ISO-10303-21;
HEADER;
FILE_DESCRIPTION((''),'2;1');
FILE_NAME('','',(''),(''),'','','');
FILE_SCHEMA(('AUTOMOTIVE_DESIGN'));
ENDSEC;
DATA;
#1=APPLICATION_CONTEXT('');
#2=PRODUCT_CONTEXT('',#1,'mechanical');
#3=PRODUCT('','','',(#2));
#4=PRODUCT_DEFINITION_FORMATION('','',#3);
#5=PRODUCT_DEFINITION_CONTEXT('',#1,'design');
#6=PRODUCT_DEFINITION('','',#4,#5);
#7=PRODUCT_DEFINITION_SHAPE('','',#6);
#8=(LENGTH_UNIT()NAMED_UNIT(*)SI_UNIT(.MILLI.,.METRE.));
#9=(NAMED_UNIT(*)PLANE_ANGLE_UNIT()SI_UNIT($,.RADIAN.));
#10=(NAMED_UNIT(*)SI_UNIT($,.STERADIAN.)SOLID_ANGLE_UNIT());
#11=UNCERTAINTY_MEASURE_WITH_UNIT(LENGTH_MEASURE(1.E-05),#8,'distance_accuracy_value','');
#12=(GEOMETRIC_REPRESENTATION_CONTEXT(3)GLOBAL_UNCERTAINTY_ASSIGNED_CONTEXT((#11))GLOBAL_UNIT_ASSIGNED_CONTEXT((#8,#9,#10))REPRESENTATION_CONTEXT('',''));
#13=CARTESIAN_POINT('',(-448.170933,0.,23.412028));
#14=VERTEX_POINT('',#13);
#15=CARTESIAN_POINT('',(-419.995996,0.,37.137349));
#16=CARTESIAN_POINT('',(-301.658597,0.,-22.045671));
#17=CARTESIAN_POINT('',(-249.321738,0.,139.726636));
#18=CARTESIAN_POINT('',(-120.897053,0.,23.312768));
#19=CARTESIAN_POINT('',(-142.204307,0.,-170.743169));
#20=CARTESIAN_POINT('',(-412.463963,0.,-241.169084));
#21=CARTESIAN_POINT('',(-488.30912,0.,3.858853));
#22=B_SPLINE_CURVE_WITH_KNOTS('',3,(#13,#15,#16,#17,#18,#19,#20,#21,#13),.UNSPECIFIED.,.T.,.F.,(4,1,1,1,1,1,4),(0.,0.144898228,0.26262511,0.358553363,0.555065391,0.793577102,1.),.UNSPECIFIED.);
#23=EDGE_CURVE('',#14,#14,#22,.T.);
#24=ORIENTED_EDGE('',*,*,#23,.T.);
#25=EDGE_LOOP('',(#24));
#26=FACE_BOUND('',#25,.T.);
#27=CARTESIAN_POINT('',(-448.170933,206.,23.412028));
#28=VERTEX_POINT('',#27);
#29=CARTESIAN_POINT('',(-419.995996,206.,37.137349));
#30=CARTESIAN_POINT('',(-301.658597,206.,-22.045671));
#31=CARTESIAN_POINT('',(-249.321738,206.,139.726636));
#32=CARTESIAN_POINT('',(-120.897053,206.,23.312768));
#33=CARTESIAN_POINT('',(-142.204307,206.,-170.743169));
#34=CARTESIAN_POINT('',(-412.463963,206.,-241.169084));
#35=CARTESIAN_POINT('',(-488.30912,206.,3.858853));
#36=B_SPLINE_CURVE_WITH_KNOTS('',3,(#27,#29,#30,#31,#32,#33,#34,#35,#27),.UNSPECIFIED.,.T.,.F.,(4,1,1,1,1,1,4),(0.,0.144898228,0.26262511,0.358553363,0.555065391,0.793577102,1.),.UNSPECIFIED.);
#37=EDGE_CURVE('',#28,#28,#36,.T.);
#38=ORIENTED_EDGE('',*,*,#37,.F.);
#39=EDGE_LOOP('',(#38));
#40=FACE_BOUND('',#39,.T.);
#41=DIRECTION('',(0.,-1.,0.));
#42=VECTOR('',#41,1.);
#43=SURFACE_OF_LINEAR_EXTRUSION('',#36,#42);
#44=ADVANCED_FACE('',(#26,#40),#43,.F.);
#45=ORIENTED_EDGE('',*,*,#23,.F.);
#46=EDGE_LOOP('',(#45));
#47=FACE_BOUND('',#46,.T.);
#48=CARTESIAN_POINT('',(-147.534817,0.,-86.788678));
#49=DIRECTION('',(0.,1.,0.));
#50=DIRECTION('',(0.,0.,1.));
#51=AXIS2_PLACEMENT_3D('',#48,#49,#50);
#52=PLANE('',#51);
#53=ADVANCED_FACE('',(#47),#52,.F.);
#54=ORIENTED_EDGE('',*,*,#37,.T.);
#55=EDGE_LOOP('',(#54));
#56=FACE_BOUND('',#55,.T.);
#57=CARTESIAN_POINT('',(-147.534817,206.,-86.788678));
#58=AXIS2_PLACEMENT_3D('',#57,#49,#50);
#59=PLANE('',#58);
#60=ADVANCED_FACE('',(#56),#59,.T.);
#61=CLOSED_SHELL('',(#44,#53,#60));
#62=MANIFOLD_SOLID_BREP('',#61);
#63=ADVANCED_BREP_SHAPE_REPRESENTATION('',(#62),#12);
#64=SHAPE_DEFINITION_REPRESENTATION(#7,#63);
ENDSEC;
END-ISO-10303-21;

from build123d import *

# Parameters (mm, degrees)
EXTRUDE_1_DEPTH = 206


with BuildPart() as part:
    # 草图5 → 凸台-拉伸1 (new body)
    with BuildSketch(Plane(origin=(0, 0, 0), x_dir=(1, 0, 0), z_dir=(0, 1, 0))):
        with BuildLine():
            add(Edge.make_bspline(
                [(-448.17093282, -23.41202818), (-488.309119651, -3.858852709), (-412.463963268, 241.169084085), (-142.204306703, 170.743168755), (-120.897053342, -23.312767978), (-249.321738253, -139.726636041), (-301.658596983, 22.045671415), (-419.995995788, -37.137348907), (-448.17093282, -23.41202818)],
                knots=[0, 0, 0, 0, 0.206422898, 0.444934609, 0.641446637, 0.73737489, 0.855101772, 1, 1, 1, 1], degree=3))
        make_face()
    extrude(amount=EXTRUDE_1_DEPTH)


solid = part.part
